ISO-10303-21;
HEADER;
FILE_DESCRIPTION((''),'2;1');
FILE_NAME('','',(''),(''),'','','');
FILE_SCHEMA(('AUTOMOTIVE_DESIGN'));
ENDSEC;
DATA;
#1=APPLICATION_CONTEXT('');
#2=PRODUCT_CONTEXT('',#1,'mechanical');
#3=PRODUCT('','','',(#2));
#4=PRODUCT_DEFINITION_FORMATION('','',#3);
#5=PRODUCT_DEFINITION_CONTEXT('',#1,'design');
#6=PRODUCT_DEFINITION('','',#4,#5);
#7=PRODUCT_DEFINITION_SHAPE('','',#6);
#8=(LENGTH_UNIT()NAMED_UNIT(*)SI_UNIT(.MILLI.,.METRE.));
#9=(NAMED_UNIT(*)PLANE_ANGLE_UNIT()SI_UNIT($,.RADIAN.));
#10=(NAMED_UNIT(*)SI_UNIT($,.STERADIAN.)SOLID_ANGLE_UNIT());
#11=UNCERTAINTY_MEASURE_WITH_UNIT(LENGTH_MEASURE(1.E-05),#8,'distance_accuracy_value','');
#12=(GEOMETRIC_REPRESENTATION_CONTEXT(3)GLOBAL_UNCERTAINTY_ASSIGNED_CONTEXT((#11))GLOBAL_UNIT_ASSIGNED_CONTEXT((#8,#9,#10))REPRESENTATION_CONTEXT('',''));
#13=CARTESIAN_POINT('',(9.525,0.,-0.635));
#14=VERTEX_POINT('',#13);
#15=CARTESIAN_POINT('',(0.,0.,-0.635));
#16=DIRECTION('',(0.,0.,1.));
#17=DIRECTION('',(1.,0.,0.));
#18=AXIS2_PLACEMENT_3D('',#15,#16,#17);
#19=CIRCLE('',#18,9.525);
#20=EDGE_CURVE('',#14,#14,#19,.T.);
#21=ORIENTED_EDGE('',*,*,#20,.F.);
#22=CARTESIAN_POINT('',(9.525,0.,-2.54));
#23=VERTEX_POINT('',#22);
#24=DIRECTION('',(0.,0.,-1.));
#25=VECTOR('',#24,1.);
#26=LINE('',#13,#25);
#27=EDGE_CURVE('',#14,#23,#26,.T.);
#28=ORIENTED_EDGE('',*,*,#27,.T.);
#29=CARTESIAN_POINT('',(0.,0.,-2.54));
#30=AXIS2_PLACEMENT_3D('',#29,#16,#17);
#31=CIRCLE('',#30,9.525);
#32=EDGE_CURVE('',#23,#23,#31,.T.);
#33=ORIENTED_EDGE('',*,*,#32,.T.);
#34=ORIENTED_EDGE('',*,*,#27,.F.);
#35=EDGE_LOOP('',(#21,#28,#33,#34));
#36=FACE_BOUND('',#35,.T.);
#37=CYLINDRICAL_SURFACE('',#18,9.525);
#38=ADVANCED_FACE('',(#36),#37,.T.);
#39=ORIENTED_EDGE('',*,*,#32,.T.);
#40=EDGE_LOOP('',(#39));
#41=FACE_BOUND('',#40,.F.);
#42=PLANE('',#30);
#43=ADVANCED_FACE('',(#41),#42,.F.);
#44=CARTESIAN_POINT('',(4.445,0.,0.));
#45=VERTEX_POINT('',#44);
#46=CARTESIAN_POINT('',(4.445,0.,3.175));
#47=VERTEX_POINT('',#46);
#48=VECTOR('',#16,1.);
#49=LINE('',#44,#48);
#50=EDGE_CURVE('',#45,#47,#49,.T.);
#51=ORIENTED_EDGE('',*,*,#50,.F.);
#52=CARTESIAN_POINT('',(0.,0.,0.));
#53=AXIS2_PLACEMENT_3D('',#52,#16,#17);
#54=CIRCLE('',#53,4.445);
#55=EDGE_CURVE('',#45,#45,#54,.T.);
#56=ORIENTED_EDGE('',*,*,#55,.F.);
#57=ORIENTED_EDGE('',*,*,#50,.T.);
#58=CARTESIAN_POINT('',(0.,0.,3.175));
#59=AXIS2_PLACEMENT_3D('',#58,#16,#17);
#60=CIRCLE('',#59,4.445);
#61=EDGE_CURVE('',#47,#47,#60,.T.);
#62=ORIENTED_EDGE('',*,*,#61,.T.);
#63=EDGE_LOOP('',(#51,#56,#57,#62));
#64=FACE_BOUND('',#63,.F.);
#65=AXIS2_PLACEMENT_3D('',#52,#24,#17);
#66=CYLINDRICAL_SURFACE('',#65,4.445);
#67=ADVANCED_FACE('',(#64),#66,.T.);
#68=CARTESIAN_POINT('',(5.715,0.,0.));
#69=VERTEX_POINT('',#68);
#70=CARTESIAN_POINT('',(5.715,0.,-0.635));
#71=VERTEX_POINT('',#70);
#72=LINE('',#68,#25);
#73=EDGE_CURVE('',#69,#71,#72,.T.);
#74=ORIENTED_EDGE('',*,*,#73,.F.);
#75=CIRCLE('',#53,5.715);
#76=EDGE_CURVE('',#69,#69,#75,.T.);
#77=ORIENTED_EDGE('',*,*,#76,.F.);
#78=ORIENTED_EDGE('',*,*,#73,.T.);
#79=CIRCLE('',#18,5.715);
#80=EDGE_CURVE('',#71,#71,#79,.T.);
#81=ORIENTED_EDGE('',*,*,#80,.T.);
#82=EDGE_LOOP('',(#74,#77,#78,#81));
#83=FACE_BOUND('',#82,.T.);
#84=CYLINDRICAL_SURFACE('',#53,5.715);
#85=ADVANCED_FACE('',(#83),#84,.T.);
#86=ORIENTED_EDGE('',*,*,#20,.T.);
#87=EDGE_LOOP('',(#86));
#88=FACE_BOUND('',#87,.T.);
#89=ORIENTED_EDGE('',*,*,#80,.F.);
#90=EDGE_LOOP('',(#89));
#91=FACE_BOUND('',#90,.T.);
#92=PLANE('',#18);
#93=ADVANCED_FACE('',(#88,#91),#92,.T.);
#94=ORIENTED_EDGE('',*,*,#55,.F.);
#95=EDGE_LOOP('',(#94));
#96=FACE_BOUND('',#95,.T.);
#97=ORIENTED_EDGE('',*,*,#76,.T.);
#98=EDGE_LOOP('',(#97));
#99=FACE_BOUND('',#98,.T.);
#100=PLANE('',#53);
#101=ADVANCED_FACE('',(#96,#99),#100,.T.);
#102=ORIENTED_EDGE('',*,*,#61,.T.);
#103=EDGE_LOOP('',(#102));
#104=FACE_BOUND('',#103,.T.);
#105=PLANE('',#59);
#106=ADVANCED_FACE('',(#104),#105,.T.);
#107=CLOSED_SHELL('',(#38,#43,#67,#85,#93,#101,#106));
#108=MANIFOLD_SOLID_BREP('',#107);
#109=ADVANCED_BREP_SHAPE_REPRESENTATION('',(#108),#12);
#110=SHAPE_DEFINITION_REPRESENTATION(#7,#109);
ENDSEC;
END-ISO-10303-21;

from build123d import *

# Parameters (mm, degrees)
F0_R     = 4.445
F1_DEPTH = 3.175
F0_R_2   = 5.715
F2_DEPTH = 0.635
F3_START = -0.635
F0_R_3   = 9.525
F3_DEPTH = 1.905


with BuildPart() as f1:
    # F0 (on Top) → F1 (new body)
    with BuildSketch(Plane.XY):
        Circle(F0_R)
    extrude(amount=F1_DEPTH)

    # F0 (on Top) → F2 (join)
    with BuildSketch(Plane.XY):
        Circle(F0_R_2)
        Circle(F0_R, mode=Mode.SUBTRACT)
        Circle(F0_R)
    extrude(amount=-F2_DEPTH)

    # F0 (on Top) → F3 (join)
    with BuildSketch(Plane.XY.offset(F3_START)):
        Circle(F0_R_3)
        Circle(F0_R_2, mode=Mode.SUBTRACT)
        Circle(F0_R_2)
        Circle(F0_R, mode=Mode.SUBTRACT)
        Circle(F0_R)
    extrude(amount=-F3_DEPTH)


solid = f1.part
